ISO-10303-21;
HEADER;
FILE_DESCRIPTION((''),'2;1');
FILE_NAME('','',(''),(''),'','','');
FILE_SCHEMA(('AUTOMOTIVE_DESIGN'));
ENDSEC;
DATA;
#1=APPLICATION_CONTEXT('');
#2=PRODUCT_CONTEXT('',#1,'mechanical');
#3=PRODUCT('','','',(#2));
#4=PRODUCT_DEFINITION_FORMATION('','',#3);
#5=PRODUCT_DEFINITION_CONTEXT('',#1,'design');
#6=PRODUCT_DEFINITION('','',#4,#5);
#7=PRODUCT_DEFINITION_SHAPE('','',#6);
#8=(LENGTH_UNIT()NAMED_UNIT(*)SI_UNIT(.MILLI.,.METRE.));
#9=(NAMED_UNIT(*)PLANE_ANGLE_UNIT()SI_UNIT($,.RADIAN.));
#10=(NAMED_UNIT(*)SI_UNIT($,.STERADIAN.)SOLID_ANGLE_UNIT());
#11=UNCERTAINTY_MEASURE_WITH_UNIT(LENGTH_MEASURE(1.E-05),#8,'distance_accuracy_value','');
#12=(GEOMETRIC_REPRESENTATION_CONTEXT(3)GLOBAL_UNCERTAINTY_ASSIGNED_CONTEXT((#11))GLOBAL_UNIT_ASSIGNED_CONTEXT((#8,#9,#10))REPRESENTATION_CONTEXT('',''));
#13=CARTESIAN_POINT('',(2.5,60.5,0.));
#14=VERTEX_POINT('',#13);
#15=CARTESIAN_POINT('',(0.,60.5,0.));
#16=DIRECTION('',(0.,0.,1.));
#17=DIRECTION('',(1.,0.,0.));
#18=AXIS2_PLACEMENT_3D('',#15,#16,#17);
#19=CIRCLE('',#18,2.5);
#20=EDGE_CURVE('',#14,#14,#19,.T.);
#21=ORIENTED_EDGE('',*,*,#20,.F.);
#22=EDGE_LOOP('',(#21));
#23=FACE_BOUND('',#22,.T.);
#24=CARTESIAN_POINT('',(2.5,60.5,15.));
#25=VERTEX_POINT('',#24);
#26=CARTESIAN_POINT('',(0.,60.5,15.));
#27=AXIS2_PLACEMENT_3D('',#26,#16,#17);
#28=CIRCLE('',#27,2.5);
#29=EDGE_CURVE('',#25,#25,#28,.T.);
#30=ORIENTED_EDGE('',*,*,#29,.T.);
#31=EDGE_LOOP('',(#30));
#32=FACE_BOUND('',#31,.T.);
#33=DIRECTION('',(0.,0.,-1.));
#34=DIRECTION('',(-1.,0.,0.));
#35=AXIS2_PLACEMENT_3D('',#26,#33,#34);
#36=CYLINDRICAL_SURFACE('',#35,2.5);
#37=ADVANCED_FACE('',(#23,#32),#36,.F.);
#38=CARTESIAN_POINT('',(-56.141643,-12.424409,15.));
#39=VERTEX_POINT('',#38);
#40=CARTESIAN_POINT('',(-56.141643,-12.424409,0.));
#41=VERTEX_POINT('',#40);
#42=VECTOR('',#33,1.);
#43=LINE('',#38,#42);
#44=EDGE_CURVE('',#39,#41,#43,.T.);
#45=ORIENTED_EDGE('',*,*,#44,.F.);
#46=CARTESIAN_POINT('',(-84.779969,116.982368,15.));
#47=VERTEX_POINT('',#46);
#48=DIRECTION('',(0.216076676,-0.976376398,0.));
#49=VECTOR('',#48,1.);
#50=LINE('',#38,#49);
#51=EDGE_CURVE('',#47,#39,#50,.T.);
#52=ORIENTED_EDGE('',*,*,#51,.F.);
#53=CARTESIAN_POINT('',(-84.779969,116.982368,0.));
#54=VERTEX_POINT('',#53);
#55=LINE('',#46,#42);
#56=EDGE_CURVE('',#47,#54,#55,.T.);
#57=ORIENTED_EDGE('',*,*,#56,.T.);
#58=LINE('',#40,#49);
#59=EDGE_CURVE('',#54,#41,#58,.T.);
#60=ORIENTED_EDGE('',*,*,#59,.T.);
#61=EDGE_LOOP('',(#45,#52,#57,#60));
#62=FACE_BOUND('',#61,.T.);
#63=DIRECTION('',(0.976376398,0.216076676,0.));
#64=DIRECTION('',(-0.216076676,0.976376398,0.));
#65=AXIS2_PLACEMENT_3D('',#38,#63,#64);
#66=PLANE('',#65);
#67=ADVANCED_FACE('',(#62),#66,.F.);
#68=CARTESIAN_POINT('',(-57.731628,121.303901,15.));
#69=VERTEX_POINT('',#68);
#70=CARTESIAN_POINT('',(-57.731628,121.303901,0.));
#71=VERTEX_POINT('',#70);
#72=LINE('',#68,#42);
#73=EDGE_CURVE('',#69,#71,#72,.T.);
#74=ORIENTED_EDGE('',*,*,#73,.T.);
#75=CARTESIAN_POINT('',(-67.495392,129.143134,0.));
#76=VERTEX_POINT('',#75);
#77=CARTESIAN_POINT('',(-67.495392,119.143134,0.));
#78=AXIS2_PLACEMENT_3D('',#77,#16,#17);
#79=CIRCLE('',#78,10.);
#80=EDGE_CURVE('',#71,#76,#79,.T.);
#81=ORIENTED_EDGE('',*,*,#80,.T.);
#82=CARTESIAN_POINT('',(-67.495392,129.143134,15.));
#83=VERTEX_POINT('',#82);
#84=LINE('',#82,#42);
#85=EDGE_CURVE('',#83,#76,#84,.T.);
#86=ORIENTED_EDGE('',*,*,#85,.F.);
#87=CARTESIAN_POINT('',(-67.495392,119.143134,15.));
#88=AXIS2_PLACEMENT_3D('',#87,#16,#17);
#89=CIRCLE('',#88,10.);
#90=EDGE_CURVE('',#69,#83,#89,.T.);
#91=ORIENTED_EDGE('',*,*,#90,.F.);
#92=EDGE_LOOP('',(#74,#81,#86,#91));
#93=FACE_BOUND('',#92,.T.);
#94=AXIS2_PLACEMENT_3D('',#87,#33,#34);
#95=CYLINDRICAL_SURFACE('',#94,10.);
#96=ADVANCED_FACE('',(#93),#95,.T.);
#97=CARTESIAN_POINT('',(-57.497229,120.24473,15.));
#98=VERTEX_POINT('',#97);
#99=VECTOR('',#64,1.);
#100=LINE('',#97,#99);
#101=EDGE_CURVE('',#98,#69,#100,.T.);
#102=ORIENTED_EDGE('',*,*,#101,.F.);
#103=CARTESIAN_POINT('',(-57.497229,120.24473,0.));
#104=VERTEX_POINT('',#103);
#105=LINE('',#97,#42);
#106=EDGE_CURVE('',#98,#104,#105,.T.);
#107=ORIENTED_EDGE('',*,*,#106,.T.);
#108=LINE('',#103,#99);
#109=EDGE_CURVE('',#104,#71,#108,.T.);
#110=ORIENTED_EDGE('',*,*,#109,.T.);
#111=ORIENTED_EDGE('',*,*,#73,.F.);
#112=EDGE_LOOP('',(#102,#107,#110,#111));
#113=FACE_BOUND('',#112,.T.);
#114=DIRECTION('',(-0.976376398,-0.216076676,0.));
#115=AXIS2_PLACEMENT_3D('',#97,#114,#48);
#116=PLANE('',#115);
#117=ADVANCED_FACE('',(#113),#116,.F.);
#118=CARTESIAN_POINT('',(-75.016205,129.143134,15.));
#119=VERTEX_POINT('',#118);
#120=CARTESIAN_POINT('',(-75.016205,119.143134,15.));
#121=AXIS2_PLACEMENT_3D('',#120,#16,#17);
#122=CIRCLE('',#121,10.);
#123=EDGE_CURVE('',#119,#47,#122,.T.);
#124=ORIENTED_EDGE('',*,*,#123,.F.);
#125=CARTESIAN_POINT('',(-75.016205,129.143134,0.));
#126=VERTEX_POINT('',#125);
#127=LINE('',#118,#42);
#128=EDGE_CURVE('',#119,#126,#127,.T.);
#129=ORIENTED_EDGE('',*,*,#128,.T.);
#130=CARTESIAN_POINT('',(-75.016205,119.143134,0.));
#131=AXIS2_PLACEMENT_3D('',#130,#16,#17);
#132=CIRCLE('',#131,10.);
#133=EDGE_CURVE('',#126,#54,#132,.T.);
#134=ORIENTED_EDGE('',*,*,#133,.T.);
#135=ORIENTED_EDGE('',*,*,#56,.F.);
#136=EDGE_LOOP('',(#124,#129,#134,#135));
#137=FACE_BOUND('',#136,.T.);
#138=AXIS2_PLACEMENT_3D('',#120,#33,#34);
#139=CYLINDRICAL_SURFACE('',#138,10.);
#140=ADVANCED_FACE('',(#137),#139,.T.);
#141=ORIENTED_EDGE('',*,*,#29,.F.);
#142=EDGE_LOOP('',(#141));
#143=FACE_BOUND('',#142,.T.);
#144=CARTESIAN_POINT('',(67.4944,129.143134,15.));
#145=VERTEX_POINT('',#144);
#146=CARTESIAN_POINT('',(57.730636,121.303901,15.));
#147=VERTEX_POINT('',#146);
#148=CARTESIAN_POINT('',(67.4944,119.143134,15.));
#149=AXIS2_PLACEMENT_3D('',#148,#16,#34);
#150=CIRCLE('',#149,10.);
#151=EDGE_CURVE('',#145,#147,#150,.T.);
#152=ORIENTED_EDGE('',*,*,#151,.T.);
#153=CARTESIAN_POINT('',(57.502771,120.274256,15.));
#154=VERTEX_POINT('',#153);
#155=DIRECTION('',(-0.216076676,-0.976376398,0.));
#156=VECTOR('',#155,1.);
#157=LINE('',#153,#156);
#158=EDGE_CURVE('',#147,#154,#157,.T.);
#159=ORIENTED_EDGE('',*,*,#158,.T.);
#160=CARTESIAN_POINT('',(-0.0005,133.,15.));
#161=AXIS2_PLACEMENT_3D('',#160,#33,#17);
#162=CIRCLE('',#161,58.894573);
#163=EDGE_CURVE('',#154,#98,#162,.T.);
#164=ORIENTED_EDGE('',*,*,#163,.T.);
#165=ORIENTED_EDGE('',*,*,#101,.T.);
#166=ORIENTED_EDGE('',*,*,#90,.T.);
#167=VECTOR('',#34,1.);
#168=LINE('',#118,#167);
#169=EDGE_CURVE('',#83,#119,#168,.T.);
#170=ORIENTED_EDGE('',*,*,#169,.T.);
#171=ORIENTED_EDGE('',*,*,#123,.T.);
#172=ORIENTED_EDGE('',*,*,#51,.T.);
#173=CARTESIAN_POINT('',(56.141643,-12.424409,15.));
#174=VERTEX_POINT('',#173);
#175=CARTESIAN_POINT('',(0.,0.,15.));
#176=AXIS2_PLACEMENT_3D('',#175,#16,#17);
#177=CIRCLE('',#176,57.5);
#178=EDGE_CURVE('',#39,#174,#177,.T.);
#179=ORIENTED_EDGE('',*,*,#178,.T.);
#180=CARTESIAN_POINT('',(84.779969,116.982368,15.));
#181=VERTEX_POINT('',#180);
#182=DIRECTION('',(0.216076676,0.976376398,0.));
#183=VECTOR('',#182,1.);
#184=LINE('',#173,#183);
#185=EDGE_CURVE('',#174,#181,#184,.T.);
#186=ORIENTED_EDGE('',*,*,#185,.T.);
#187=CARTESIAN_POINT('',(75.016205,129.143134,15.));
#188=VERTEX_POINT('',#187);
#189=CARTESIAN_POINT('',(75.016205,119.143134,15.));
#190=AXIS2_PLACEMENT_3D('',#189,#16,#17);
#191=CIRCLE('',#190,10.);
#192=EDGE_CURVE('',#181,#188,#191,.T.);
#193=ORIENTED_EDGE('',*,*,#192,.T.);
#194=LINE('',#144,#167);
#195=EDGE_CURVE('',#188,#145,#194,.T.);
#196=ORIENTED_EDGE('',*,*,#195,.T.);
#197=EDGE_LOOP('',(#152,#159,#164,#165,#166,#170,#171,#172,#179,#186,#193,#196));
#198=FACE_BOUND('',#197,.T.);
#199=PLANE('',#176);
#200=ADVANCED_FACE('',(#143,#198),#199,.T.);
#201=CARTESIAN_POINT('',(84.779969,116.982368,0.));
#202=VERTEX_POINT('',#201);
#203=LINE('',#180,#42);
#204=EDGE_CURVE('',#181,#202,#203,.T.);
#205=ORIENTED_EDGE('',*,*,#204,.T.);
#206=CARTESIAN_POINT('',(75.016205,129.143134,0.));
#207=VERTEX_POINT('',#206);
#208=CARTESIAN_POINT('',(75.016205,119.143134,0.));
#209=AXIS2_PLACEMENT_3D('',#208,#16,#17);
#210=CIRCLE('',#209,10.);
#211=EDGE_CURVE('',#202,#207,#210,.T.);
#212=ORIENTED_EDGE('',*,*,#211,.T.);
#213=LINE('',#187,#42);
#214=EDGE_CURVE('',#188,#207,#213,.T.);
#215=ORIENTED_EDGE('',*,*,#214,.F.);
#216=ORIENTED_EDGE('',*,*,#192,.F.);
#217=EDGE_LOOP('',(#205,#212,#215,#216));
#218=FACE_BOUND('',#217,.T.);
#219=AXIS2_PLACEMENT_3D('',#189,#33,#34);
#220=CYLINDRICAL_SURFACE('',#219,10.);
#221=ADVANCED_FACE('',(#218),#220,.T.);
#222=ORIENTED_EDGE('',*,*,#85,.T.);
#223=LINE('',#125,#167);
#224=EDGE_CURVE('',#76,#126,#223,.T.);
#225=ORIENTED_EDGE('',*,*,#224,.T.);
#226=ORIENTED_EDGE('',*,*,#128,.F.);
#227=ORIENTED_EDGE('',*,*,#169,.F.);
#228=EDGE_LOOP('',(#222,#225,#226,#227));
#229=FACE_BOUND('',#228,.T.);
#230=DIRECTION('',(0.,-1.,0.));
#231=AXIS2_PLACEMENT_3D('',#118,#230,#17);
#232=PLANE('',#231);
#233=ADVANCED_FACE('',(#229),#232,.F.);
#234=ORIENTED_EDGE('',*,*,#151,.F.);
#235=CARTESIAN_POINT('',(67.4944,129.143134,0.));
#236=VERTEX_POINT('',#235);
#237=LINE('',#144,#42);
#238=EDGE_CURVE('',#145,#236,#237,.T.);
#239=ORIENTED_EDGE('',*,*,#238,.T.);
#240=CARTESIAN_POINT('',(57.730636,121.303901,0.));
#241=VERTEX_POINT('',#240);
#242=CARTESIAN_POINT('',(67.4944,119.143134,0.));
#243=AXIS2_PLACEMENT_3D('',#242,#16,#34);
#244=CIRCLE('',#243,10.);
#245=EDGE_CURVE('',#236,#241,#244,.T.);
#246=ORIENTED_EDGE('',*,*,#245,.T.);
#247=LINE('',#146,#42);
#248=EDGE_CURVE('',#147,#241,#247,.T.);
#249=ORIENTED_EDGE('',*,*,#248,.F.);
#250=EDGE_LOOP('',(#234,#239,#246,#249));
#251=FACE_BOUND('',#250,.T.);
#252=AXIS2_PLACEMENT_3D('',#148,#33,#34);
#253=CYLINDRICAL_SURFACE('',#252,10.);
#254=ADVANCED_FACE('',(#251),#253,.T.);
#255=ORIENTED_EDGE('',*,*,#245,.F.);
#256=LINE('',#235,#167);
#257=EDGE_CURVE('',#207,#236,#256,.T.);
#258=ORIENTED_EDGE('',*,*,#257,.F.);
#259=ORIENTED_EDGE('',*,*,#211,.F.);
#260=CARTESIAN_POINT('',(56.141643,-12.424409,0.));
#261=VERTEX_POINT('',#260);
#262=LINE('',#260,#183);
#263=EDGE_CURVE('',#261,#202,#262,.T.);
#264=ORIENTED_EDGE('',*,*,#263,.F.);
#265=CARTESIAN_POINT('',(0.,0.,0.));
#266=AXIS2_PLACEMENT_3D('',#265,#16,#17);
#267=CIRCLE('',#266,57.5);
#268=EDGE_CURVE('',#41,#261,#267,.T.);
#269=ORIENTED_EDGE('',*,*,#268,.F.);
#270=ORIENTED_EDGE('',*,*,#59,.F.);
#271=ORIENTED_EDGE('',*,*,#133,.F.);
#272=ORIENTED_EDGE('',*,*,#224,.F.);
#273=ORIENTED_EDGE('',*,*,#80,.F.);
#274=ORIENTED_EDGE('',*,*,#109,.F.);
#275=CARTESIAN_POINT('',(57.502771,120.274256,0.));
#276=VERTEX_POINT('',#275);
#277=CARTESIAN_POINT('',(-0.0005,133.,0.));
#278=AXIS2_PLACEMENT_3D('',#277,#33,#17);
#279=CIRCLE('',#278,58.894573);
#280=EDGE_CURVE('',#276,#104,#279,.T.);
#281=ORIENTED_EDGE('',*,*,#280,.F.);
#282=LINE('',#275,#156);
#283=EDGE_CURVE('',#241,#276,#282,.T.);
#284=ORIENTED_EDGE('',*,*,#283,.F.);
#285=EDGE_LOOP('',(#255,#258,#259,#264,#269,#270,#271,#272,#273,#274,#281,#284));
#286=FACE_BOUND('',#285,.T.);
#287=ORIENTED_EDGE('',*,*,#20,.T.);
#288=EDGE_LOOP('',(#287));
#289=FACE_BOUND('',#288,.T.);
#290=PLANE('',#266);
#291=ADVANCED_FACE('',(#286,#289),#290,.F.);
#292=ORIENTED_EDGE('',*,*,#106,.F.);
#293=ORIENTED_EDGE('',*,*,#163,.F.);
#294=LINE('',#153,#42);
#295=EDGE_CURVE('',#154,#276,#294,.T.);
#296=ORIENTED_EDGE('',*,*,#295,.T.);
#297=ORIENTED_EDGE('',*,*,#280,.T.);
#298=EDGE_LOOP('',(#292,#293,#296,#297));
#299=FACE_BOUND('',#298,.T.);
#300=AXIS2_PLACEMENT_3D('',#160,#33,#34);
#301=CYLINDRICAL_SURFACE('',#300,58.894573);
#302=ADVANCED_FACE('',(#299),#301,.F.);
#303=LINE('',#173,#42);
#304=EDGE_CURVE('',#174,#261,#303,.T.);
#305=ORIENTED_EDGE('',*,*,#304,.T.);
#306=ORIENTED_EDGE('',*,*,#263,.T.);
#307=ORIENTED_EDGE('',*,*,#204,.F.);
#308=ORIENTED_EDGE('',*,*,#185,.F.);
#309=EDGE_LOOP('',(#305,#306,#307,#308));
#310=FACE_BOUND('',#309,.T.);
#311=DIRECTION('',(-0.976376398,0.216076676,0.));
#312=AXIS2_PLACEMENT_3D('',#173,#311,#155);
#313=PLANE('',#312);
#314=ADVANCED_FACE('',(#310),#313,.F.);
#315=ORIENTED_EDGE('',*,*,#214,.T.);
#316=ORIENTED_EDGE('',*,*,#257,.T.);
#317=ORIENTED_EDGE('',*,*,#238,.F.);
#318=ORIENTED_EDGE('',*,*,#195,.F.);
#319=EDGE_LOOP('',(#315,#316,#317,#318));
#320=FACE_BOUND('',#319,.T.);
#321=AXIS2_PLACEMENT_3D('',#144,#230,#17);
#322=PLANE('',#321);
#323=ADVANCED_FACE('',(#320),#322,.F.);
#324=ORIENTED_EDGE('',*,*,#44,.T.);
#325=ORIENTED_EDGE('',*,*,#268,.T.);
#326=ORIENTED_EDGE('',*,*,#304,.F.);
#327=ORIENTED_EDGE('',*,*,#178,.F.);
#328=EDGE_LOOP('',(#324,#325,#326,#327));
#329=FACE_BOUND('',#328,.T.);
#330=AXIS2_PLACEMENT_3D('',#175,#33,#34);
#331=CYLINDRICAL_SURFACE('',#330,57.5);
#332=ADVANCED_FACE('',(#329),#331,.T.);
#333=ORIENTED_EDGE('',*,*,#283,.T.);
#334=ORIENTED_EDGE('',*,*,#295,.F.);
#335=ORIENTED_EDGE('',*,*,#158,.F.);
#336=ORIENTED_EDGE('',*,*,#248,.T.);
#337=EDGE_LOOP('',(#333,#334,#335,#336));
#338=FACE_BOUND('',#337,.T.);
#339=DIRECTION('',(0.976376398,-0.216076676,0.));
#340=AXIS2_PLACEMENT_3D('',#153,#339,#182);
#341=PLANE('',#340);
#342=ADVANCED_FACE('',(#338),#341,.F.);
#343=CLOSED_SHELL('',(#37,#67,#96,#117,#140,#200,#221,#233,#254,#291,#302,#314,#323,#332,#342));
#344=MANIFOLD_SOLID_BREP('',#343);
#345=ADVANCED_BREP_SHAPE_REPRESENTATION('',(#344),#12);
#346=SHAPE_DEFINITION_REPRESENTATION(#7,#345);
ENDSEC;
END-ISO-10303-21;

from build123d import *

# Parameters (mm, degrees)
SKETCH1_R           = 2.5
BOSS_EXTRUDE1_DEPTH = 15


with BuildPart() as part:
    # Sketch1 → Boss-Extrude1 (new body)
    with BuildSketch(Plane.XY):
        with BuildLine():
            Line((56.141642872, -12.424408866), (84.779969404, 116.982367581))
            ThreePointArc((84.779969404, 116.982367581), (82.813886735, 125.403818505), (75.016205426, 129.143134341))
            Line((75.016205426, 129.143134341), (67.494400279, 129.143134341))
            ThreePointArc((67.494400279, 129.143134341), (61.233716115, 126.94081565), (57.730636302, 121.3039011))
            Line((57.730636302, 121.3039011), (57.502771105, 120.274256419))
            ThreePointArc((57.502771105, 120.274256419), (0.014621087, 74.105428868), (-57.497228895, 120.244730353))
            Line((-57.497228895, 120.244730353), (-57.731628349, 121.3039011))
            ThreePointArc((-57.731628349, 121.3039011), (-61.234708163, 126.94081565), (-67.495392327, 129.143134341))
            Line((-67.495392327, 129.143134341), (-75.016205426, 129.143134341))
            ThreePointArc((-75.016205426, 129.143134341), (-82.813886735, 125.403818505), (-84.779969404, 116.982367581))
            Line((-84.779969404, 116.982367581), (-56.141642872, -12.424408866))
            ThreePointArc((-56.141642872, -12.424408866), (0, -57.5), (56.141642872, -12.424408866))
        make_face()
        with Locations((0, 60.5)):
            Circle(SKETCH1_R, mode=Mode.SUBTRACT)
    extrude(amount=BOSS_EXTRUDE1_DEPTH)


solid = part.part
